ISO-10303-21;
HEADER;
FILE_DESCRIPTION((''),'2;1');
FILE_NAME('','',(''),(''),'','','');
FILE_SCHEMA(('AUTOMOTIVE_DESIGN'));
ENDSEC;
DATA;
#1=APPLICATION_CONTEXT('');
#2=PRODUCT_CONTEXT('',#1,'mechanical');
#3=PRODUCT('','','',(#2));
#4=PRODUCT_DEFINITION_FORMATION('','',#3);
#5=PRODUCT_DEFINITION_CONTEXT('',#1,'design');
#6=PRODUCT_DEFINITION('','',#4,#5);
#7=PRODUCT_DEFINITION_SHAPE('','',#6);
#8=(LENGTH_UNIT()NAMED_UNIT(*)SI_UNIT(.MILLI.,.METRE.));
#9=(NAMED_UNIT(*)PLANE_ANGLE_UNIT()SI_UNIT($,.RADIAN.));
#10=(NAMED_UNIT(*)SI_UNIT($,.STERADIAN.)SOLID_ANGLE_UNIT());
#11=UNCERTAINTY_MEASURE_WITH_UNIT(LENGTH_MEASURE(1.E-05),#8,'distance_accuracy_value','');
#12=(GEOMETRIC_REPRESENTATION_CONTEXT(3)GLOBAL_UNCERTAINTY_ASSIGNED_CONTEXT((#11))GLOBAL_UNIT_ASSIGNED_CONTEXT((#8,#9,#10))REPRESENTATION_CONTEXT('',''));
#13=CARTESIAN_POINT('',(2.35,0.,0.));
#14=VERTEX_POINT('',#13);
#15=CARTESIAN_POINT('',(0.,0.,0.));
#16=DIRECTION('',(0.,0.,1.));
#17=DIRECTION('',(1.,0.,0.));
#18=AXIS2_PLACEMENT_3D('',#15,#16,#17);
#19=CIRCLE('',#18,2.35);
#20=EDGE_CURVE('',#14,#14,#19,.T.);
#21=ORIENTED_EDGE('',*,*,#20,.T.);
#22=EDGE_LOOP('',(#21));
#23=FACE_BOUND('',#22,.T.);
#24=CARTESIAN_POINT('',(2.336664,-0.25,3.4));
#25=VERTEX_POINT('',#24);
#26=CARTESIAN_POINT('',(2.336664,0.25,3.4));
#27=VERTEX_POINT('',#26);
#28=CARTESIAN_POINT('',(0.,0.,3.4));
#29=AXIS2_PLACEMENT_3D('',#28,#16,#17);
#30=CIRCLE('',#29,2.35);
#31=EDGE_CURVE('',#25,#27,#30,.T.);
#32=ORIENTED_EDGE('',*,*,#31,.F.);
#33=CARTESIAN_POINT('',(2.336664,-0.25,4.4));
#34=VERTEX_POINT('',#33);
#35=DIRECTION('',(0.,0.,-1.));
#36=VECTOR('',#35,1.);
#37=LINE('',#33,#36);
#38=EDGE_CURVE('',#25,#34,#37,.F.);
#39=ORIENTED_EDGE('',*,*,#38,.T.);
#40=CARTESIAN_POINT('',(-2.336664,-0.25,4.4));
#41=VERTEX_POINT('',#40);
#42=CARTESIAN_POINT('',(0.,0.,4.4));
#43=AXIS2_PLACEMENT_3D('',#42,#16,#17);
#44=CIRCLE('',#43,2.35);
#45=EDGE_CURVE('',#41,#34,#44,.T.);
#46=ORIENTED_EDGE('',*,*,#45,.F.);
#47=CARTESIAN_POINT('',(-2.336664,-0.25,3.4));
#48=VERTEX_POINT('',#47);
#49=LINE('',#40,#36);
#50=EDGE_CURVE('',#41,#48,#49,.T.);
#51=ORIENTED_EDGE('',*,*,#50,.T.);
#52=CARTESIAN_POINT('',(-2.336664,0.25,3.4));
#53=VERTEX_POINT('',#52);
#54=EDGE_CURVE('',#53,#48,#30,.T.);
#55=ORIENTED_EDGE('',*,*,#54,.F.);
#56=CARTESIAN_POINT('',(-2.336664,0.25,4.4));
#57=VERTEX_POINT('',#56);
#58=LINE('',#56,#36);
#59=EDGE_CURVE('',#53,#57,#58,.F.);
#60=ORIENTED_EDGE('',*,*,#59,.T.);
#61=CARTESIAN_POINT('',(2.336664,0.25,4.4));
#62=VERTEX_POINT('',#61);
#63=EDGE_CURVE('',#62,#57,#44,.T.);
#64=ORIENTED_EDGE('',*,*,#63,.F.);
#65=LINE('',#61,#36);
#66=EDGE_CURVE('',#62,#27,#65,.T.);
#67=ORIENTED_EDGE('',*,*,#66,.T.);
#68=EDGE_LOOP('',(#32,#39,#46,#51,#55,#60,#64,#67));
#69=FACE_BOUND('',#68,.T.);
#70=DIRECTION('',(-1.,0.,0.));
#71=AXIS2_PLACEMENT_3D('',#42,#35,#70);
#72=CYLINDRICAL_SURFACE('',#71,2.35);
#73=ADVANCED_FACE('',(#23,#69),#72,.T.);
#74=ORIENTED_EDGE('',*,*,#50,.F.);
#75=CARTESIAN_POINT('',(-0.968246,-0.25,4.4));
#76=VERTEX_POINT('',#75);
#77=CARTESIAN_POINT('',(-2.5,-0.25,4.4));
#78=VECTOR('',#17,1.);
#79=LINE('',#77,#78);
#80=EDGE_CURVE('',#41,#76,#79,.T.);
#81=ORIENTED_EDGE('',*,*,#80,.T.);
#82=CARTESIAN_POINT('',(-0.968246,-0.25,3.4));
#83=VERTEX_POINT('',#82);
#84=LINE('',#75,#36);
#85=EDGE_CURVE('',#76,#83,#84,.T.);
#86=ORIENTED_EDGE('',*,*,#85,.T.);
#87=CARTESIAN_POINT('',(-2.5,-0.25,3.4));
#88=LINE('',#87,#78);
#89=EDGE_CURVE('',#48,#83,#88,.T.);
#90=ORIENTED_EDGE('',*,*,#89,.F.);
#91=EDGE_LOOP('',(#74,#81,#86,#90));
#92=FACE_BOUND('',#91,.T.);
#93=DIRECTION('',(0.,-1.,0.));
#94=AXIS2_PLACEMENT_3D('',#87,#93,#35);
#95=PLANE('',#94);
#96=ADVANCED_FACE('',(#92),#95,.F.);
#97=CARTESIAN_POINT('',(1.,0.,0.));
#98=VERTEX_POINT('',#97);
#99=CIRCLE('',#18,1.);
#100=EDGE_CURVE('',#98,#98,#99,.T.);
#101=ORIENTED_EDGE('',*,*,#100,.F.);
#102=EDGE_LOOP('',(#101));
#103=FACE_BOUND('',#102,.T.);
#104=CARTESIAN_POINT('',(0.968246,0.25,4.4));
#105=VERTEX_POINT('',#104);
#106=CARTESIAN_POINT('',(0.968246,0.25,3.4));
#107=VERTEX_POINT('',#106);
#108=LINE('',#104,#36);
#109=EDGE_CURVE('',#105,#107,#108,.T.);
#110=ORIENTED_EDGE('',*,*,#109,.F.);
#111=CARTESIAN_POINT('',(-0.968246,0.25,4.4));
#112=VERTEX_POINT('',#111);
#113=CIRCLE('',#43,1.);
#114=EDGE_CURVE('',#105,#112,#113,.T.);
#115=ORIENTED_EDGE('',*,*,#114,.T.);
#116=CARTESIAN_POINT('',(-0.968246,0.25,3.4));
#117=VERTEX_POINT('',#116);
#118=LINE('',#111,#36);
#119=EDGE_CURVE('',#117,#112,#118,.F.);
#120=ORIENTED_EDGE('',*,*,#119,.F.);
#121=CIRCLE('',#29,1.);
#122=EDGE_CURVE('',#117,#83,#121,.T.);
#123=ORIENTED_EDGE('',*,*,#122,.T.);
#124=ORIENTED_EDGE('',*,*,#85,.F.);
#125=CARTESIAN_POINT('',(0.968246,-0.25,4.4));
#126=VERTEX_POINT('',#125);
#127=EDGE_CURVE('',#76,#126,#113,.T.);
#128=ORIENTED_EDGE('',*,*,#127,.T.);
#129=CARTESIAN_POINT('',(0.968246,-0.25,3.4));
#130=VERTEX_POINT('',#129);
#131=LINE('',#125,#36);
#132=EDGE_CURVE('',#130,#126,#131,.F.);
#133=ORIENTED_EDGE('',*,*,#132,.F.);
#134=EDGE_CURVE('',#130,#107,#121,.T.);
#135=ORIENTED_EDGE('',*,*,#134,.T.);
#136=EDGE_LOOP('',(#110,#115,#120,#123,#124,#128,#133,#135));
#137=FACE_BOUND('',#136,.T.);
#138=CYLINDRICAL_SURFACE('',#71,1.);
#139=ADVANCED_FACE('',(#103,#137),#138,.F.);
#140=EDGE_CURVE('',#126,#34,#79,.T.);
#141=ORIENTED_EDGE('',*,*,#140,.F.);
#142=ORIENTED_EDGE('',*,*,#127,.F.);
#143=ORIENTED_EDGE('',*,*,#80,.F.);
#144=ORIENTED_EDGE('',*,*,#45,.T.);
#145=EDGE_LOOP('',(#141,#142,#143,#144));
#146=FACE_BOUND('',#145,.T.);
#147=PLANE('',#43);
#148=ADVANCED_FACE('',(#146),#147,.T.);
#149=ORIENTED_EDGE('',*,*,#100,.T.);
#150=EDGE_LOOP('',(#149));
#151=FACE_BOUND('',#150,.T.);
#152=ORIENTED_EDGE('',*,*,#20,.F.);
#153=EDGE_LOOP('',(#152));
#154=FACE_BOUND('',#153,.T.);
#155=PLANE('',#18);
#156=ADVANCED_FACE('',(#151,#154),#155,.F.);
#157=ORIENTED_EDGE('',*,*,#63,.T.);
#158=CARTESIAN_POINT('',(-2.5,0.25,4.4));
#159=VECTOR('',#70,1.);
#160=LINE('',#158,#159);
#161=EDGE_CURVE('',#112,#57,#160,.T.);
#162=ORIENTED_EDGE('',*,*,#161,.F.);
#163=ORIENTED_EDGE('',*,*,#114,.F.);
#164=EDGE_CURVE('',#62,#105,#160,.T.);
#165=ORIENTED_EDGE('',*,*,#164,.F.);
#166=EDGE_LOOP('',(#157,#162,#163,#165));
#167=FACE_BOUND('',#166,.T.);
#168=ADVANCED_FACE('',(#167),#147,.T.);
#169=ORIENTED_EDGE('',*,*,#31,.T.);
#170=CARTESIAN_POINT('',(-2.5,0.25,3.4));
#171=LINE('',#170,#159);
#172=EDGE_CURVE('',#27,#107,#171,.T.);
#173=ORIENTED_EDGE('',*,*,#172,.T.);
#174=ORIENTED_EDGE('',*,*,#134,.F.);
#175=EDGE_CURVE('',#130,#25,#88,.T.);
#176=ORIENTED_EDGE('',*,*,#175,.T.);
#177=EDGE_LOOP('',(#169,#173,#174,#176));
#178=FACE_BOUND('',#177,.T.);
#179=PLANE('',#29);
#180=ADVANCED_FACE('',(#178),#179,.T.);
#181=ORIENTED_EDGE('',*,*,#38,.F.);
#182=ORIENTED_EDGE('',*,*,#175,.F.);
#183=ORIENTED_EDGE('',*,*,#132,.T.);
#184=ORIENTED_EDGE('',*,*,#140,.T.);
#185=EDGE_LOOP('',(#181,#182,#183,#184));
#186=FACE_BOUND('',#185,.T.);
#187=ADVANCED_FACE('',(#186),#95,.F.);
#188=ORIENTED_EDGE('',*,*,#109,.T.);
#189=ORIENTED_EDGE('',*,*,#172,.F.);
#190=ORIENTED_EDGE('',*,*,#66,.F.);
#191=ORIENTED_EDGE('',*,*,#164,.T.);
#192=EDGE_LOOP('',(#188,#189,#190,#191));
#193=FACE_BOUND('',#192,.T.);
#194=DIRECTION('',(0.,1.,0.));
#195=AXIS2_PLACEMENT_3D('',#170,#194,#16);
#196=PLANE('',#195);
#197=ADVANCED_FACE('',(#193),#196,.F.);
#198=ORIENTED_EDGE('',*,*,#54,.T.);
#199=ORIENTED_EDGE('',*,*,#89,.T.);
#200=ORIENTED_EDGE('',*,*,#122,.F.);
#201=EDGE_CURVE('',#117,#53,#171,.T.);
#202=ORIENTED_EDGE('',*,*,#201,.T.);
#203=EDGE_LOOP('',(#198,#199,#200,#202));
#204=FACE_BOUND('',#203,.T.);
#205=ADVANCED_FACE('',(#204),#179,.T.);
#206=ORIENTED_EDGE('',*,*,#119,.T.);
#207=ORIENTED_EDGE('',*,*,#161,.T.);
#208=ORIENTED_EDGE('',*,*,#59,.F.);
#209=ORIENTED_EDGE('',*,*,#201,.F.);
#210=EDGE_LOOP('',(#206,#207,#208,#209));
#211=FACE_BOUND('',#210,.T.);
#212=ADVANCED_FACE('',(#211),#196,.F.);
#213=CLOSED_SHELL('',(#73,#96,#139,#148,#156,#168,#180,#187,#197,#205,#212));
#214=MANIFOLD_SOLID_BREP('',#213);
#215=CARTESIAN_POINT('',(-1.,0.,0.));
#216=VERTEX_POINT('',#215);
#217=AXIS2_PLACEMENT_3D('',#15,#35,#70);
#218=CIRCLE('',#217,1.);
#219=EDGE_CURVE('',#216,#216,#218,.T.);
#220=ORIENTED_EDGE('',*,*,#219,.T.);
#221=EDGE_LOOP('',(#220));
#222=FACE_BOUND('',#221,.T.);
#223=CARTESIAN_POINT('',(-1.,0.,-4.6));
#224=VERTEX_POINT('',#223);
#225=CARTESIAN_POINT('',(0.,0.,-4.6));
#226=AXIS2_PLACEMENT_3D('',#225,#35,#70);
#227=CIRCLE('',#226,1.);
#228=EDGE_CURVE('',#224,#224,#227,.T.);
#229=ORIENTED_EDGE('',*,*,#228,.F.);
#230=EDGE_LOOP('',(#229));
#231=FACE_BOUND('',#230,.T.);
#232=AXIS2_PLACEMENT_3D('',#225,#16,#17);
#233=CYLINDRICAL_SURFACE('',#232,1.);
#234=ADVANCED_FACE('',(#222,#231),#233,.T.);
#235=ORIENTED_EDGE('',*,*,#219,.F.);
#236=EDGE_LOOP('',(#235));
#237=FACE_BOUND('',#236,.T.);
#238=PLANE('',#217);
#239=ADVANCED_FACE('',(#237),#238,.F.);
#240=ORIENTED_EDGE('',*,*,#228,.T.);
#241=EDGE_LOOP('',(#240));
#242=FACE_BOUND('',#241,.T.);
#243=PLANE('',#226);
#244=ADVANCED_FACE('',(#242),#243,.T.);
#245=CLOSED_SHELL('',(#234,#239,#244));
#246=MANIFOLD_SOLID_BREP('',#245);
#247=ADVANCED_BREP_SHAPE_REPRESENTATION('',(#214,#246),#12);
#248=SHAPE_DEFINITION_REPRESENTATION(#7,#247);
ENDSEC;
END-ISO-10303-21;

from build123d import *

# Parameters (mm, degrees)
SKETCH_1_R          = 2.35
SKETCH_1_R_2        = 1
EXTRUDE_1_DEPTH     = 4.4
SKETCH_2_W          = 5
SKETCH_2_H          = 0.5
CUT_EXTRUDE_1_DEPTH = 1
SKETCH_3_R          = 1
EXTRUDE_2_DEPTH     = 4.6


with BuildPart() as part:
    # 草图1 → 凸台-拉伸1 (new body)
    with BuildSketch(Plane.XY):
        Circle(SKETCH_1_R)
        Circle(SKETCH_1_R_2, mode=Mode.SUBTRACT)
    extrude(amount=EXTRUDE_1_DEPTH)

    # 草图2 → 切除-拉伸1 (cut)
    with BuildSketch(Plane.XY.offset(4.4)):
        Rectangle(SKETCH_2_W, SKETCH_2_H)
    extrude(amount=-CUT_EXTRUDE_1_DEPTH, mode=Mode.SUBTRACT)


with BuildPart() as body_2:
    # 草图3 → 凸台-拉伸2 (new body)
    with BuildSketch(Plane(origin=(0, 0, 0), x_dir=(-1, 0, 0), z_dir=(0, 0, -1))):
        Circle(SKETCH_3_R)
    extrude(amount=EXTRUDE_2_DEPTH)


solid = Compound([part.part, body_2.part])
